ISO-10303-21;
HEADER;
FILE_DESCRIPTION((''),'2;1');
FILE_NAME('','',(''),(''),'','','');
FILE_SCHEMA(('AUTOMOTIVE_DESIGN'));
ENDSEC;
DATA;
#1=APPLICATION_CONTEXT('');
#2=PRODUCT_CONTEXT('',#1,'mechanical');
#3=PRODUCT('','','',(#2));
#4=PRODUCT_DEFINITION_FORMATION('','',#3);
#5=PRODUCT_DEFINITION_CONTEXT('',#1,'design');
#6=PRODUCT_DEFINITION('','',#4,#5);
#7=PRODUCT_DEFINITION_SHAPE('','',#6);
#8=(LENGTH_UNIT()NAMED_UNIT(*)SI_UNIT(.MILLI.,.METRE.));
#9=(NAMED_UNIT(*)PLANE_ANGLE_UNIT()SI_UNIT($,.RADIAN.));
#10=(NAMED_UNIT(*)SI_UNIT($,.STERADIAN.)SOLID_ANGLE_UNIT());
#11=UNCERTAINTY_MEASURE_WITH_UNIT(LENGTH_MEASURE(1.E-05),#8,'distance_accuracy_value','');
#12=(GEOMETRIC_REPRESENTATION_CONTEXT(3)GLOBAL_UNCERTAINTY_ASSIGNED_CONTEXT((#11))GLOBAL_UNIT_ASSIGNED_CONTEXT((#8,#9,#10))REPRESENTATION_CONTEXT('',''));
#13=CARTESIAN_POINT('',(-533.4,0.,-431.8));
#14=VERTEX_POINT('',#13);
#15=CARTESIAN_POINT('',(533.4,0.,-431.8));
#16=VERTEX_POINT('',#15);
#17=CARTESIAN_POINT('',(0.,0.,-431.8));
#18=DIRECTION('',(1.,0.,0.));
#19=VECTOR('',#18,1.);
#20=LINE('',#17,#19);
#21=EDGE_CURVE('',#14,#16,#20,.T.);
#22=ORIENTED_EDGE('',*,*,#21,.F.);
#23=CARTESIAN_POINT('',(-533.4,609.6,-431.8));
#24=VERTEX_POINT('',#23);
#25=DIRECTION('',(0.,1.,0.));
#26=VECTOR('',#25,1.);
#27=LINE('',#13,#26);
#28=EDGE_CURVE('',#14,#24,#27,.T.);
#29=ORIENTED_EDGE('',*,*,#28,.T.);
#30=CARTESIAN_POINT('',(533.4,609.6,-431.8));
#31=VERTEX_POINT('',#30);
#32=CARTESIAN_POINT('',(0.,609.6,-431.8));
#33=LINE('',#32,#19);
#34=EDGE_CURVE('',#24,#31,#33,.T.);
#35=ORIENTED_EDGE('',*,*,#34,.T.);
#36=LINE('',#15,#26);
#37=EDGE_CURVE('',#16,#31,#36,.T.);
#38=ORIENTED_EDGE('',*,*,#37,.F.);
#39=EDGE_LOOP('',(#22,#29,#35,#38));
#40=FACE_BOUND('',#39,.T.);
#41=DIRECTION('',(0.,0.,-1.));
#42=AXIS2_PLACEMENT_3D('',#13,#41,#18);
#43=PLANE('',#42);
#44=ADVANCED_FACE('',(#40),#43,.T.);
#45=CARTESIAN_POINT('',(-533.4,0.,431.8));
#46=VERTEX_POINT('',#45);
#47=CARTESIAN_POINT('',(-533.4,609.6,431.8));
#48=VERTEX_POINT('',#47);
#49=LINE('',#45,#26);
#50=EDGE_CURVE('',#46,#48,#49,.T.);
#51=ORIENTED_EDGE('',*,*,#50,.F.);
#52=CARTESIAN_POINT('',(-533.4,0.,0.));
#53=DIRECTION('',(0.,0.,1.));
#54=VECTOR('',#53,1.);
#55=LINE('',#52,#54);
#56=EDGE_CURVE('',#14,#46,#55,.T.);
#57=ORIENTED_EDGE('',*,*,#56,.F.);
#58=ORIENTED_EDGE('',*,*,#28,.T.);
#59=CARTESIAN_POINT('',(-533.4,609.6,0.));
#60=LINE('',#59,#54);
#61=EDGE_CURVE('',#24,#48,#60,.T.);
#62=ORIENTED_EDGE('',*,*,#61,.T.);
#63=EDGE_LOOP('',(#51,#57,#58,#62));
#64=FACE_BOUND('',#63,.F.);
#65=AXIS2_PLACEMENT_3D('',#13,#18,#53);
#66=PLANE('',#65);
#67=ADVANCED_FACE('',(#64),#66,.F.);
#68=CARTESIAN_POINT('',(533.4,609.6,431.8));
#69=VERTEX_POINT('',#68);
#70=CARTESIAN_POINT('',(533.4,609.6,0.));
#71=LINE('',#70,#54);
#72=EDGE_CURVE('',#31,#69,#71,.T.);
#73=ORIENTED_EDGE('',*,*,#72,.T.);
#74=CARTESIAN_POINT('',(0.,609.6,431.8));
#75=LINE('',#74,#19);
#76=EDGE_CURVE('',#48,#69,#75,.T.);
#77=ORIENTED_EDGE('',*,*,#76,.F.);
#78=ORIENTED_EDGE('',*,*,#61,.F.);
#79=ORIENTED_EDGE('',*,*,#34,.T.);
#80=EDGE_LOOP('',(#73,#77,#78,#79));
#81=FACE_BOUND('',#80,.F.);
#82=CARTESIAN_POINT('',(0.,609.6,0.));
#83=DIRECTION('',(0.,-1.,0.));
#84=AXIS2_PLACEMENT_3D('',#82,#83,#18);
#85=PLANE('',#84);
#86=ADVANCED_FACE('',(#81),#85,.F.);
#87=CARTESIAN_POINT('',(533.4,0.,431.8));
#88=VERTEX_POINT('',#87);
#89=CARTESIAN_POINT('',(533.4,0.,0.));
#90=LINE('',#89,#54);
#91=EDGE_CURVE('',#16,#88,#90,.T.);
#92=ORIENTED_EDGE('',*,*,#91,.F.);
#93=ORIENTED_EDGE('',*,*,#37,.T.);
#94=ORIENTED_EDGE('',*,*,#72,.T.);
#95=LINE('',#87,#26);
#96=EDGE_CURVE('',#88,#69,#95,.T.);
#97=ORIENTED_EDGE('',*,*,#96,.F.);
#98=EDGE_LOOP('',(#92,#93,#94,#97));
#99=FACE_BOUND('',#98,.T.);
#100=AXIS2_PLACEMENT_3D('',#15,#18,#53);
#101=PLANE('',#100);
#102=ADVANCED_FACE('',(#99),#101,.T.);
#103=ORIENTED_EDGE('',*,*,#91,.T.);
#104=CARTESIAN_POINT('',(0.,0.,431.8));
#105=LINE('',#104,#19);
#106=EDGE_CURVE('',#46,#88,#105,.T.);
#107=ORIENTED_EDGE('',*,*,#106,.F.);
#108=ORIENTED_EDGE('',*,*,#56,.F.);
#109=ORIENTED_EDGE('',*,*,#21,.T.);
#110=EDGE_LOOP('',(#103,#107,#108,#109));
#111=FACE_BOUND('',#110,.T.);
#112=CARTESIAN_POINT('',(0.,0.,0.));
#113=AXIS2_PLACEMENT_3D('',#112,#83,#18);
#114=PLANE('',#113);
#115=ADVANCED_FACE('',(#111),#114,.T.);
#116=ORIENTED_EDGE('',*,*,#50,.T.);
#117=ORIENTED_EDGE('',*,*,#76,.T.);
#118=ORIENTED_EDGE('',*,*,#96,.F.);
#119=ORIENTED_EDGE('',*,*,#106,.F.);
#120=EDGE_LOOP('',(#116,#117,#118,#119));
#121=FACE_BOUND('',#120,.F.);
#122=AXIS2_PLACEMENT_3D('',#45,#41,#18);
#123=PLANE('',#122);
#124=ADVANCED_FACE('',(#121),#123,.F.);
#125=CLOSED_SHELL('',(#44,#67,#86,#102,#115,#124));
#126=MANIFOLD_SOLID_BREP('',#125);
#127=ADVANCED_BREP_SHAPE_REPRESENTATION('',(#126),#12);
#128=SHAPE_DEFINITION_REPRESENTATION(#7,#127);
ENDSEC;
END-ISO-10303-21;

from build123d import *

# Parameters (mm, degrees)
F0_W     = 1066.8
F0_H     = 863.6
F1_DEPTH = 609.6
F2_W     = 75.707137
F2_H     = 83.061278
F3_DEPTH = 25.4


with BuildPart() as f1:
    # F0 (on Front) → F1 (new body)
    with BuildSketch(Plane.XZ):
        Rectangle(F0_W, F0_H)
    extrude(amount=-F1_DEPTH)


with BuildPart() as f3:
    # F2 (on face) → F3 (new body)
    with BuildSketch(Plane.XZ):
        with Locations((571.253569, -41.530639)):
            Rectangle(F2_W, F2_H)
    extrude(amount=F3_DEPTH)


solid = f1.part
